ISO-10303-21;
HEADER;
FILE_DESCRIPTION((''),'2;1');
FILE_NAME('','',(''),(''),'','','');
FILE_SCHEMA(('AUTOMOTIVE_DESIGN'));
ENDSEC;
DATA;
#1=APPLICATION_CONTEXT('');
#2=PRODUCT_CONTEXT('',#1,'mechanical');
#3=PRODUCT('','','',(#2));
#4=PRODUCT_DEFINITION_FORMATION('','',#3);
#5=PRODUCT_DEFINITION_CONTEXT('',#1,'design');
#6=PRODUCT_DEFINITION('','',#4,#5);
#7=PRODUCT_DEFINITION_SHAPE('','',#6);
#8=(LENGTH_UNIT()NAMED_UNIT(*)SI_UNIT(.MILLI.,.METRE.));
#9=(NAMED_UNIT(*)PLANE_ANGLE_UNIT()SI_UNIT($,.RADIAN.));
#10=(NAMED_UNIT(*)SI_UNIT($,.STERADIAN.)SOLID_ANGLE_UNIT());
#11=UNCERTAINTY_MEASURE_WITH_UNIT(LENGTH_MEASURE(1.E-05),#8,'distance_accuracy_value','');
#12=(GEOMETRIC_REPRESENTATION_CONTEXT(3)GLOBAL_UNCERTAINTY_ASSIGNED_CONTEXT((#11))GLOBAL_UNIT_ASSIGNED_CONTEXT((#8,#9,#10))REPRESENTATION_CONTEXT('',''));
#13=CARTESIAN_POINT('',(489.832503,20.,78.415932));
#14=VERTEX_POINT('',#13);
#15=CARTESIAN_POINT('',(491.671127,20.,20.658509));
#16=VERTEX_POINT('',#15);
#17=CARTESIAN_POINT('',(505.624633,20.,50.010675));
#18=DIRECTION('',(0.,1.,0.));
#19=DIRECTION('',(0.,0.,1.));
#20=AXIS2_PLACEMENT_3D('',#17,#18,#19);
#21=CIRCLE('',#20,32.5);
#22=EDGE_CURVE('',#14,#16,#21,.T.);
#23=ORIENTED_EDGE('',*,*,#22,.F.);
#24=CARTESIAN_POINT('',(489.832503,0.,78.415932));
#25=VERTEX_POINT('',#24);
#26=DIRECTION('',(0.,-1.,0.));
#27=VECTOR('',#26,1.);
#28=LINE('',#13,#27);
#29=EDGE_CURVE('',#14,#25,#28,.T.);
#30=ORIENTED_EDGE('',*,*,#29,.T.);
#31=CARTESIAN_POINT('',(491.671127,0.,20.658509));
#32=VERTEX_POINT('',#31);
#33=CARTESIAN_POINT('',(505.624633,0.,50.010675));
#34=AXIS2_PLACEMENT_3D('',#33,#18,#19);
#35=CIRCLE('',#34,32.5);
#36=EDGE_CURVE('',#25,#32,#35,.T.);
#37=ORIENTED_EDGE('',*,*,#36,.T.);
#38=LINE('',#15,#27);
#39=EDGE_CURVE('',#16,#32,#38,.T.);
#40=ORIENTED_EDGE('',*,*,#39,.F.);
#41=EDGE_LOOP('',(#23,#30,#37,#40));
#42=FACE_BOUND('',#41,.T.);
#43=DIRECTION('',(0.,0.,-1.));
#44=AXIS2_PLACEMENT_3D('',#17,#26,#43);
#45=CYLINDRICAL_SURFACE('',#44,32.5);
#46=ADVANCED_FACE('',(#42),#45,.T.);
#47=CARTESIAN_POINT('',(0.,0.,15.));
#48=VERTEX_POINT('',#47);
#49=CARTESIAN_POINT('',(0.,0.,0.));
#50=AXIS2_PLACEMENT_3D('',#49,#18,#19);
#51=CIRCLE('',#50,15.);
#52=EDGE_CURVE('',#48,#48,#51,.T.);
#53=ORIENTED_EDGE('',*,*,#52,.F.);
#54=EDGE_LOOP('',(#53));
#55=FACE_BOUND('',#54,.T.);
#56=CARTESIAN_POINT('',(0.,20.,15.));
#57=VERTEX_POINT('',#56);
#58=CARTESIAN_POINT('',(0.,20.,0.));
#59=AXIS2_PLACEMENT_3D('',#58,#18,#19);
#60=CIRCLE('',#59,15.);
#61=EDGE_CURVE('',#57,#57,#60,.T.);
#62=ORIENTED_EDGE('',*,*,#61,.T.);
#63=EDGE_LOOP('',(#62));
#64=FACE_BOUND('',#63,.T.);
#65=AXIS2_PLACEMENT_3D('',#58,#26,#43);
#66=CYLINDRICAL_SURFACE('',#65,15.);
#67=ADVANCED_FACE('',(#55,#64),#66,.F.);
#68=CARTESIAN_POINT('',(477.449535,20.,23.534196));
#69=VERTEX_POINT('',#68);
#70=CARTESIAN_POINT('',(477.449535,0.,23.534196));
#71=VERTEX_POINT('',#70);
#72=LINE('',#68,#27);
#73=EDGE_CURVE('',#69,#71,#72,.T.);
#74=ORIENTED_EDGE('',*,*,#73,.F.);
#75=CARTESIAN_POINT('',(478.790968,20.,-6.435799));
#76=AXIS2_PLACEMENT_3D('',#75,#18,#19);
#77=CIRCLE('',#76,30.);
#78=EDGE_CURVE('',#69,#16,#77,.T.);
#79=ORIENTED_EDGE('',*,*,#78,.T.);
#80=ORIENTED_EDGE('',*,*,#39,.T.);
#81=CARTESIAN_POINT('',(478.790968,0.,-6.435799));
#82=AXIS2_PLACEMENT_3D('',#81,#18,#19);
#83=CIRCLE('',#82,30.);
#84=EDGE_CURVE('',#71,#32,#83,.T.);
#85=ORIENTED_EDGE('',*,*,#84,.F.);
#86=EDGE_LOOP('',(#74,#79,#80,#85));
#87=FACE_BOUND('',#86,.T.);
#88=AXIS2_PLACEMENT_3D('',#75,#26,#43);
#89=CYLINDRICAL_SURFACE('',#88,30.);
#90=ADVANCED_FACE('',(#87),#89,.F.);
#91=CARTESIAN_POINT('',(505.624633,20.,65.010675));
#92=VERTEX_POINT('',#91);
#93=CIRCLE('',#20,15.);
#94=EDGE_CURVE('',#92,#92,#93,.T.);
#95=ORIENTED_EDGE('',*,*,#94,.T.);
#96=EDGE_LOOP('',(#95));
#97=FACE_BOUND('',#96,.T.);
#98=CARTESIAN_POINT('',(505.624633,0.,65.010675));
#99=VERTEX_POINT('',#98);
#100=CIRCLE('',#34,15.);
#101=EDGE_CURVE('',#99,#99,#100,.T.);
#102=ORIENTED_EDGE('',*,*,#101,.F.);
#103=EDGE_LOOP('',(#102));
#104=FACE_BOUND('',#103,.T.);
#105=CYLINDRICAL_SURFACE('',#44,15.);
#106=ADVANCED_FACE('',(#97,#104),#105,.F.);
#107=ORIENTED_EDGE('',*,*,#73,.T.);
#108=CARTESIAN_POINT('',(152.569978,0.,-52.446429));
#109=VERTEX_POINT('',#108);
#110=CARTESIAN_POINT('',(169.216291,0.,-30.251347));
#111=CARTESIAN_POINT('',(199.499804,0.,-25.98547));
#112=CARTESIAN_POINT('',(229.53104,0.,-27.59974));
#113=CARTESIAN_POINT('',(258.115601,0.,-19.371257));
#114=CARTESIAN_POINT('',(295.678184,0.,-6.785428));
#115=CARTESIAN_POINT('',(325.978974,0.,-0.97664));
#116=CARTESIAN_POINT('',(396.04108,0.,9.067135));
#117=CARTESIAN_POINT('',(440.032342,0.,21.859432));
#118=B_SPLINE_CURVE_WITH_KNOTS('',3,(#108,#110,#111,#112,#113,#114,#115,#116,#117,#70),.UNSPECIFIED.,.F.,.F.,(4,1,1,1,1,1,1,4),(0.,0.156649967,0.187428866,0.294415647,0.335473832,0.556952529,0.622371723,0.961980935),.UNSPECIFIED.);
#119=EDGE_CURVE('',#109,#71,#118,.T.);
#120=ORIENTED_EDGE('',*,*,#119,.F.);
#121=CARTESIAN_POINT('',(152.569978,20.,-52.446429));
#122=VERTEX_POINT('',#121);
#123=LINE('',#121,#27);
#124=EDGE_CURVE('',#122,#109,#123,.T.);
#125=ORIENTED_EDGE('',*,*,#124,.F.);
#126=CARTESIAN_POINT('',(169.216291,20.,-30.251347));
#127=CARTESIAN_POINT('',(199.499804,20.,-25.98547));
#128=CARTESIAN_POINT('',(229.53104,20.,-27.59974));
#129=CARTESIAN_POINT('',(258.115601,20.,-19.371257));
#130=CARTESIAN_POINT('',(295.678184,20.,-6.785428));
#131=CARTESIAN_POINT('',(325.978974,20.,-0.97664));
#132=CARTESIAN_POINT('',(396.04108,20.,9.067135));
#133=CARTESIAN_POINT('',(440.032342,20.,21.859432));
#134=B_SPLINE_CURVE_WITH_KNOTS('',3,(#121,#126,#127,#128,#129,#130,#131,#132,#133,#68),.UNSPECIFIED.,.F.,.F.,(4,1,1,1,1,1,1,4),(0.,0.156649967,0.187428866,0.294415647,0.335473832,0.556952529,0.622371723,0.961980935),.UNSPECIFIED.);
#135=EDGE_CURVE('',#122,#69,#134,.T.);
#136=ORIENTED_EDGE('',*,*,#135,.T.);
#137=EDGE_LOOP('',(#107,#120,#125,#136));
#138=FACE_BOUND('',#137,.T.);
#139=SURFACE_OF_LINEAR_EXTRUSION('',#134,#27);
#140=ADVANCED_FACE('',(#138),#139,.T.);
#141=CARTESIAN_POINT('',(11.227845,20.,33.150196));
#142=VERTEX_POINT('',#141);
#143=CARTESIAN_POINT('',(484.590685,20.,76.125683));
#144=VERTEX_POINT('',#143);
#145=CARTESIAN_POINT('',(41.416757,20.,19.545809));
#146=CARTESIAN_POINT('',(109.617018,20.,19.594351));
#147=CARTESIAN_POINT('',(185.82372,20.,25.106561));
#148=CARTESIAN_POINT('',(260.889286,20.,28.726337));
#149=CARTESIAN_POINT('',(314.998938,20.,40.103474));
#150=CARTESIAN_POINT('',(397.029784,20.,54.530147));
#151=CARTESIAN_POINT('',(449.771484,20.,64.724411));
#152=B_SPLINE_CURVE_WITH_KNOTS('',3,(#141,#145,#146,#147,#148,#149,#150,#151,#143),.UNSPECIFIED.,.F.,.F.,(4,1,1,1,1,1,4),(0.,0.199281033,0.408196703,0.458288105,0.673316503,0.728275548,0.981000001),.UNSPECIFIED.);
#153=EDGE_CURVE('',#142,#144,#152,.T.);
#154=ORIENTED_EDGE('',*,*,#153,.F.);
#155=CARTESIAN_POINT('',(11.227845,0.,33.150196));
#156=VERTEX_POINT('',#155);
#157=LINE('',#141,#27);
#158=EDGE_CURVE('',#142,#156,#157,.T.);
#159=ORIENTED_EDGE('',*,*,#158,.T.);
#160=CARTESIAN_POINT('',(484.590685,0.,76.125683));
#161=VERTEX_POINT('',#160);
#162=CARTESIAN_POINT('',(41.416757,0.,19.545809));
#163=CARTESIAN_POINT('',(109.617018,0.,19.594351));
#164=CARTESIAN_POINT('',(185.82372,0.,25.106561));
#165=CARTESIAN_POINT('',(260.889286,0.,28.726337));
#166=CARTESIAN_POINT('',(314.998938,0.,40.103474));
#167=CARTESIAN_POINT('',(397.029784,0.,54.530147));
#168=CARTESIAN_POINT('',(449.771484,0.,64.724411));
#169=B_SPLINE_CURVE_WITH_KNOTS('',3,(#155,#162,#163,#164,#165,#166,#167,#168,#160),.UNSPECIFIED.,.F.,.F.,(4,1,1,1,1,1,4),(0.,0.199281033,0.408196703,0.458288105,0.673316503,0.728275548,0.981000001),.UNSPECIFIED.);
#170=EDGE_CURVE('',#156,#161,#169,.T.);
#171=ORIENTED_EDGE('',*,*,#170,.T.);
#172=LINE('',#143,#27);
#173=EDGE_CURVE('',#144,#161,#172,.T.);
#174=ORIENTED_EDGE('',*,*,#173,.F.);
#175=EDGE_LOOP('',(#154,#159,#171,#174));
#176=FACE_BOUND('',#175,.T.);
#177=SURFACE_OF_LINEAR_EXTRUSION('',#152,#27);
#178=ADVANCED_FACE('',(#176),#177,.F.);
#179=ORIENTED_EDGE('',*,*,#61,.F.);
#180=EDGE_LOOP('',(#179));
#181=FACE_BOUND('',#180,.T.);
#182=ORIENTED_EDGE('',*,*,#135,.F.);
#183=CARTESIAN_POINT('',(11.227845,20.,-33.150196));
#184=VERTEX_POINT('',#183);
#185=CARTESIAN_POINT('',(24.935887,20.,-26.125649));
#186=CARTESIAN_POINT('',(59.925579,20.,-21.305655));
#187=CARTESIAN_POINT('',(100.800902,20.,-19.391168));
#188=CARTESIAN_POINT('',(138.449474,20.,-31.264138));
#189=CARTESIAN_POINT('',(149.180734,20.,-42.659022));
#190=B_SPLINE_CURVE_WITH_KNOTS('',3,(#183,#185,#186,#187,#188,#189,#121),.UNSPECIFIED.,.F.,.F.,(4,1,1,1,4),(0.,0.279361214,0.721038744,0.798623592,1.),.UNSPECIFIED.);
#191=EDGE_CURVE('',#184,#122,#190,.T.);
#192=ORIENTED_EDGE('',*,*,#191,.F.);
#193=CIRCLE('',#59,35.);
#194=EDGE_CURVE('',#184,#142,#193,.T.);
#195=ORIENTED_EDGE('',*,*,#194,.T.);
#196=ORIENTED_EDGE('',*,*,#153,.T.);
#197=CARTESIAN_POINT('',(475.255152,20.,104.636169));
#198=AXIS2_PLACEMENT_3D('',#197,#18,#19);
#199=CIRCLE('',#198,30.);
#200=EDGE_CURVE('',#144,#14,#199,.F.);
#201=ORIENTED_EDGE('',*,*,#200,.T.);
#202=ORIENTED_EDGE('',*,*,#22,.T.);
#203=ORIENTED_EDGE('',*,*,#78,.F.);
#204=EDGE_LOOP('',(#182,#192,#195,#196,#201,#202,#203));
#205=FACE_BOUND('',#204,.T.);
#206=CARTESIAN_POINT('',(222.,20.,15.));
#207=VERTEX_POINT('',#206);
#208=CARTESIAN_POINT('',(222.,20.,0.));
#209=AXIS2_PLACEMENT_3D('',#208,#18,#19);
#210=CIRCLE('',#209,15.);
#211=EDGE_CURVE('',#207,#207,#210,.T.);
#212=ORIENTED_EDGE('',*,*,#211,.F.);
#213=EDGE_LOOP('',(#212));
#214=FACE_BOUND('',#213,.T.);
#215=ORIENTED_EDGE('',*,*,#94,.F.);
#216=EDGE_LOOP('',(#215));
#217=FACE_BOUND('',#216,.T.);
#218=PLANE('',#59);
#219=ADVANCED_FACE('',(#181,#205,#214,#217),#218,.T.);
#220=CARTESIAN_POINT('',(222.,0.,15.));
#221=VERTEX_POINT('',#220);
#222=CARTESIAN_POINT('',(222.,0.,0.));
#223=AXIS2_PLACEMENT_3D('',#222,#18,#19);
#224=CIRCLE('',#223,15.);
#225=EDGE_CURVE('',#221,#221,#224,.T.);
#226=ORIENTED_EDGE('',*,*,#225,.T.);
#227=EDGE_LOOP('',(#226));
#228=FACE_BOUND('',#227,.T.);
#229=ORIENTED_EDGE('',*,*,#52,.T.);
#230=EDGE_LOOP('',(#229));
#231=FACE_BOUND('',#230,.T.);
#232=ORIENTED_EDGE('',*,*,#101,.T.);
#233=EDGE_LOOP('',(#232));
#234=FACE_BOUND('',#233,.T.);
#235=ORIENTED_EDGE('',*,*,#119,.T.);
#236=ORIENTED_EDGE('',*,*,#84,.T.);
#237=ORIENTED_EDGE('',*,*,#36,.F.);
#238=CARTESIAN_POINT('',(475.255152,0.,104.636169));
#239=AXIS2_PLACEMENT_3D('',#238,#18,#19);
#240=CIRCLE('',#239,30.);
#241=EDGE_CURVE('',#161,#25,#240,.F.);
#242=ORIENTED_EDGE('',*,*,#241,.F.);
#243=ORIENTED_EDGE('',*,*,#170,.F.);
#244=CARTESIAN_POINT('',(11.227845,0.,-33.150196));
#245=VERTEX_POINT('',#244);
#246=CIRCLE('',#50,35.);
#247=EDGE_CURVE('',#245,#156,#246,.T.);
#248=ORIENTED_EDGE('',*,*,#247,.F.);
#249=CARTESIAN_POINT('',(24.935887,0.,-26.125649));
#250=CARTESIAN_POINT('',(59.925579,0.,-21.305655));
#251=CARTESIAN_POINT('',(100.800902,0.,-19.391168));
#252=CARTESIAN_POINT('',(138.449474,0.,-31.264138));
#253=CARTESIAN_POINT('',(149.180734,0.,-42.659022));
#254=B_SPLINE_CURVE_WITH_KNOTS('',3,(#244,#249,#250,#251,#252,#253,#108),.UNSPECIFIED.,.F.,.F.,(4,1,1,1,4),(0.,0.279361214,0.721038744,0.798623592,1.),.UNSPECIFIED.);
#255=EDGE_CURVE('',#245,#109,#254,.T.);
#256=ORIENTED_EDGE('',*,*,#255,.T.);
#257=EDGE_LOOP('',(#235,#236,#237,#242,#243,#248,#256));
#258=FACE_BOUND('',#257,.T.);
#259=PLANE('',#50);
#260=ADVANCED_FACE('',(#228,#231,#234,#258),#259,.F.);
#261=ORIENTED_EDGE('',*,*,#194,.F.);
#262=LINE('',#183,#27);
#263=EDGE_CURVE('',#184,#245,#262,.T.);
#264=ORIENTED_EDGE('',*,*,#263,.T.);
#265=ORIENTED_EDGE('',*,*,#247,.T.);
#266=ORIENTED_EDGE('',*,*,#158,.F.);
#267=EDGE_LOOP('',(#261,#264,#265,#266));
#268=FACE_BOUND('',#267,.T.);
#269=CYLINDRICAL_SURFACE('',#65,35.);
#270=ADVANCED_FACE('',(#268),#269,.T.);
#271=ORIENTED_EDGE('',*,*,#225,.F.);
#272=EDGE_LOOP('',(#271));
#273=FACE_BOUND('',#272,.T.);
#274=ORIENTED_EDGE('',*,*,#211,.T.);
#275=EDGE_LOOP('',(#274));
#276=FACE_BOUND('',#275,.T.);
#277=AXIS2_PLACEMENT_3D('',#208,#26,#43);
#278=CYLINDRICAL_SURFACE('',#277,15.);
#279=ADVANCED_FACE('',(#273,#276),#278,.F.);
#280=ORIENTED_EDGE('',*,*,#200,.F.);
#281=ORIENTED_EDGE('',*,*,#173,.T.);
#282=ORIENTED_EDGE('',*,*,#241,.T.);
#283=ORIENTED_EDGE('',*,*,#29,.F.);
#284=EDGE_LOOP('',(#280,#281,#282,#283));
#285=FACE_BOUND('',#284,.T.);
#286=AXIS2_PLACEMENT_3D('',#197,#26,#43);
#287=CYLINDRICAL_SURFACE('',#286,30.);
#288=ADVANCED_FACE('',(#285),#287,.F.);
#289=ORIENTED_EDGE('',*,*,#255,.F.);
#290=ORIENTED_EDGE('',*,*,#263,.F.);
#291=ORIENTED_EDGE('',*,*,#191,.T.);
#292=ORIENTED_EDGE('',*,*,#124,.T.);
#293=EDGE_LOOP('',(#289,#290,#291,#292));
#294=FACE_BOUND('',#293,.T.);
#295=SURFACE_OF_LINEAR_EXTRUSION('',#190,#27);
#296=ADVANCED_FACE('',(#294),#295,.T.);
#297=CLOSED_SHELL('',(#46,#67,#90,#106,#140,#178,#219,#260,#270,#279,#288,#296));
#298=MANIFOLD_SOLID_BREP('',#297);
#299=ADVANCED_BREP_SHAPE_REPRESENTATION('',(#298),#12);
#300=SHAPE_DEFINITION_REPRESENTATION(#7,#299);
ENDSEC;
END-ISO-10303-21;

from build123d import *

# Parameters (mm, degrees)
SKETCH1_R           = 15
BOSS_EXTRUDE1_DEPTH = 20


with BuildPart() as part:
    # Sketch1 → Boss-Extrude1 (new body)
    with BuildSketch(Plane(origin=(0, 0, 0), x_dir=(1, 0, 0), z_dir=(0, 1, 0))):
        with BuildLine():
            ThreePointArc((11.227844922, 33.150196054), (-35, 0), (11.227844922, -33.150196054))
            add(Edge.make_bspline(
                [(11.227844922, -33.150196054), (41.416756554, -19.545808717), (109.617018015, -19.594351387), (185.823720385, -25.106561365), (260.889286261, -28.726337393), (314.998938133, -40.103473751), (397.029783508, -54.530146852), (449.771483959, -64.724410895), (484.590684969, -76.125683189)],
                knots=[0, 0, 0, 0, 0.199281033, 0.408196703, 0.458288105, 0.673316503, 0.728275548, 0.981000001, 0.981000001, 0.981000001, 0.981000001], degree=3))
            ThreePointArc((484.590684969, -76.125683189), (487.266305561, -77.14558579), (489.832502579, -78.415932093))
            ThreePointArc((489.832502579, -78.415932093), (538.108178019, -51.044742092), (491.671127053, -20.658508715))
            ThreePointArc((491.671127053, -20.658508715), (484.736802135, -22.969082695), (477.449535042, -23.534195515))
            add(Edge.make_bspline(
                [(152.56997847, 52.446429488), (169.216290541, 30.251346727), (199.499803962, 25.985470169), (229.531039993, 27.599739832), (258.115601287, 19.371257227), (295.67818393, 6.785427982), (325.978973641, 0.976639679), (396.041080311, -9.067135125), (440.0323422, -21.859432111), (477.449535042, -23.534195515)],
                knots=[0, 0, 0, 0, 0.156649967, 0.187428866, 0.294415647, 0.335473832, 0.556952529, 0.622371723, 0.961980935, 0.961980935, 0.961980935, 0.961980935], degree=3))
            add(Edge.make_bspline(
                [(11.227844922, 33.150196054), (24.935887318, 26.125648633), (59.92557902, 21.305654623), (100.800901739, 19.39116832), (138.449474199, 31.26413754), (149.180734347, 42.659021766), (152.56997847, 52.446429488)],
                knots=[0, 0, 0, 0, 0.279361214, 0.721038744, 0.798623592, 1, 1, 1, 1], degree=3))
        make_face()
        with Locations(Location((0, 0, 0), (0, 0, 270))):
            Circle(SKETCH1_R, mode=Mode.SUBTRACT)
        with Locations(Location((222, 0, 0), (0, 0, 270))):
            Circle(SKETCH1_R, mode=Mode.SUBTRACT)
        with Locations(Location((505.624632868, -50.010675168, 0), (0, 0, 270))):
            Circle(SKETCH1_R, mode=Mode.SUBTRACT)
    extrude(amount=BOSS_EXTRUDE1_DEPTH)


solid = part.part
